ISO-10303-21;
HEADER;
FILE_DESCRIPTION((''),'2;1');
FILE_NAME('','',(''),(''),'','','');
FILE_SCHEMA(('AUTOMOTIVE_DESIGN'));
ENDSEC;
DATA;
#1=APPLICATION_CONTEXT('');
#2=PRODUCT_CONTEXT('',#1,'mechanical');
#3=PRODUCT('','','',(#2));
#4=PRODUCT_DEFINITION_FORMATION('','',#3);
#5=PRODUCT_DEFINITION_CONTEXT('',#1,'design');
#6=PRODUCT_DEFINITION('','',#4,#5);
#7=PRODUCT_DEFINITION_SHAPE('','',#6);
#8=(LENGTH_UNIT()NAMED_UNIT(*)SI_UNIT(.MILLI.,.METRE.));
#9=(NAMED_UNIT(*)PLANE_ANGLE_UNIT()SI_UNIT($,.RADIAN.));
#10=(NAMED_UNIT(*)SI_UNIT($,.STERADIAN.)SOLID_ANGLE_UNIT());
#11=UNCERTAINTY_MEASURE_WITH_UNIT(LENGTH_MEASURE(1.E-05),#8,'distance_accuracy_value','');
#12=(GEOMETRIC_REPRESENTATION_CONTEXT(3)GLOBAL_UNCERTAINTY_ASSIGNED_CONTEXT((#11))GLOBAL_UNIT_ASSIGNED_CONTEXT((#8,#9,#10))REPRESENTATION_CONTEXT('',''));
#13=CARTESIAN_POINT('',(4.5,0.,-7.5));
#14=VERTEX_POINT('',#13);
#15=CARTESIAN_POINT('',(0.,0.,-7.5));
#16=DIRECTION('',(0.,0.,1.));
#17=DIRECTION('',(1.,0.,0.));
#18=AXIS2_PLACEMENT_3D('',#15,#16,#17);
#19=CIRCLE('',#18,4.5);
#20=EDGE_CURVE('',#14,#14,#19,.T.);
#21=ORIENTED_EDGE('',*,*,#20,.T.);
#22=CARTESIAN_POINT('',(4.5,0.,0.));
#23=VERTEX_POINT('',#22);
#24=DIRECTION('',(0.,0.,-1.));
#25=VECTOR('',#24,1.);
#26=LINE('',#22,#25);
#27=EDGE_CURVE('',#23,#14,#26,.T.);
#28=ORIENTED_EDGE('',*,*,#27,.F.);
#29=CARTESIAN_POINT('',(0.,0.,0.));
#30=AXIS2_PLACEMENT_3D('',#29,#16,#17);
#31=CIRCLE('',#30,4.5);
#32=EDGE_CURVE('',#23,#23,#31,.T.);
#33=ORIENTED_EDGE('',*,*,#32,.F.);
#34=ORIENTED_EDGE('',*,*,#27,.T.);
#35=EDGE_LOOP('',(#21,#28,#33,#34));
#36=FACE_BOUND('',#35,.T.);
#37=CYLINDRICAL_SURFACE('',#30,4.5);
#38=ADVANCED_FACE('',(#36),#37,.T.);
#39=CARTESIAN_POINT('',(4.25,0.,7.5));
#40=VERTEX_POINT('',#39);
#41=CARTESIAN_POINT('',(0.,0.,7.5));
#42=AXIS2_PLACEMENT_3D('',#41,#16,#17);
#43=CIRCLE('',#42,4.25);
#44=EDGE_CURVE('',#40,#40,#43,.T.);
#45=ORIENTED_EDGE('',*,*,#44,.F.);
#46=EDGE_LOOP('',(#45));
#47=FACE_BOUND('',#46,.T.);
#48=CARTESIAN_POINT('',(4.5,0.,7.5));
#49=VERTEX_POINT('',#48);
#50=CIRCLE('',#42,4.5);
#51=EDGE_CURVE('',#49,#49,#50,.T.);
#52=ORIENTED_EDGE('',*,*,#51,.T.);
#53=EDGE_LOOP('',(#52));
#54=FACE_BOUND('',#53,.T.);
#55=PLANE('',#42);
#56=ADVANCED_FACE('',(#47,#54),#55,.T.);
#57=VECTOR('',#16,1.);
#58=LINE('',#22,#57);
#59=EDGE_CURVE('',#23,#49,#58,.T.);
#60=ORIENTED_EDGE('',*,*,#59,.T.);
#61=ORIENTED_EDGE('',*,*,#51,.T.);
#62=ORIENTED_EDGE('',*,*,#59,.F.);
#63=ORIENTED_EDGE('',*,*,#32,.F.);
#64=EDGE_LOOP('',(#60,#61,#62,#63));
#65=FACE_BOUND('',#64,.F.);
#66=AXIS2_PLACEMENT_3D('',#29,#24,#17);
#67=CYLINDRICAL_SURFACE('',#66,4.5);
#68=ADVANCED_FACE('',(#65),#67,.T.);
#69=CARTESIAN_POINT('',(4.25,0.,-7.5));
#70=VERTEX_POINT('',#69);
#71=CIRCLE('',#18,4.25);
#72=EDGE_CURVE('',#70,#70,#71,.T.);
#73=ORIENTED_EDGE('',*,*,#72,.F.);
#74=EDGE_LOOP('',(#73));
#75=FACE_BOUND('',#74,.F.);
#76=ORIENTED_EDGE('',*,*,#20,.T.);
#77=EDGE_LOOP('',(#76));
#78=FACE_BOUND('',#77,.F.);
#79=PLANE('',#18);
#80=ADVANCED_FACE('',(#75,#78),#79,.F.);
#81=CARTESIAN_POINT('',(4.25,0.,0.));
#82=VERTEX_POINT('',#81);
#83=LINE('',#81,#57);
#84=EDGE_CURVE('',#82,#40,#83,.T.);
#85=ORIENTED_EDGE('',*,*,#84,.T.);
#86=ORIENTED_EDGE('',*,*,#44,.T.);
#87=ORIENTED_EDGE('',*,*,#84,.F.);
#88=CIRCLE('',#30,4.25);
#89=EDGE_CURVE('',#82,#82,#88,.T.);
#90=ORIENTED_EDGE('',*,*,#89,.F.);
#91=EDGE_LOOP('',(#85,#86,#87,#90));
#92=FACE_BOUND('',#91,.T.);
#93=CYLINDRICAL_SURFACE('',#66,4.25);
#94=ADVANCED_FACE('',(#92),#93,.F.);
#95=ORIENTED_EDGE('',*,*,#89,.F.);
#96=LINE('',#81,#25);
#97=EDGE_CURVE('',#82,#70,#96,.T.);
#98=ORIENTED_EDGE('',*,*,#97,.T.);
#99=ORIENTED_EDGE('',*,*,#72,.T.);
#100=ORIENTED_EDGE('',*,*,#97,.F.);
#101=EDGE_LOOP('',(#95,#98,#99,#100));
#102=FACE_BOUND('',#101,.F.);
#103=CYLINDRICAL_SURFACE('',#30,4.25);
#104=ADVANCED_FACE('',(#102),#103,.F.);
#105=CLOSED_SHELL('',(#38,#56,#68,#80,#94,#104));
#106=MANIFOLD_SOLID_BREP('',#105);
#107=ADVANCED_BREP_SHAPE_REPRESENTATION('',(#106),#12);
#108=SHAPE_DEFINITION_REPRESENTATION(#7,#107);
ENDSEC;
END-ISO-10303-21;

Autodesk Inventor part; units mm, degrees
ref_plane "YZ Plane" through (0, 0, 0) normal (1, 0, 0) x (0, 1, 0)
ref_plane "XZ Plane" through (0, 0, 0) normal (0, 1, 0) x (-1, 0, 0)
ref_plane "XY Plane" through (0, 0, 0) normal (0, 0, 1) x (1, 0, 0)
sketch "Sketch1" plane through (0, 0, 0) normal (0, 0, 1) x (1, 0, 0)
  circle A0 centre (0, 0) radius 4.5
  circle A1 centre (0, 0) radius 4.25
  dimension "d0" = 9
  dimension "d1" = 8.5
extrude "Extrusion1" add sketch "Sketch1" along normal mid plane 15
properties part number "Rørende"
